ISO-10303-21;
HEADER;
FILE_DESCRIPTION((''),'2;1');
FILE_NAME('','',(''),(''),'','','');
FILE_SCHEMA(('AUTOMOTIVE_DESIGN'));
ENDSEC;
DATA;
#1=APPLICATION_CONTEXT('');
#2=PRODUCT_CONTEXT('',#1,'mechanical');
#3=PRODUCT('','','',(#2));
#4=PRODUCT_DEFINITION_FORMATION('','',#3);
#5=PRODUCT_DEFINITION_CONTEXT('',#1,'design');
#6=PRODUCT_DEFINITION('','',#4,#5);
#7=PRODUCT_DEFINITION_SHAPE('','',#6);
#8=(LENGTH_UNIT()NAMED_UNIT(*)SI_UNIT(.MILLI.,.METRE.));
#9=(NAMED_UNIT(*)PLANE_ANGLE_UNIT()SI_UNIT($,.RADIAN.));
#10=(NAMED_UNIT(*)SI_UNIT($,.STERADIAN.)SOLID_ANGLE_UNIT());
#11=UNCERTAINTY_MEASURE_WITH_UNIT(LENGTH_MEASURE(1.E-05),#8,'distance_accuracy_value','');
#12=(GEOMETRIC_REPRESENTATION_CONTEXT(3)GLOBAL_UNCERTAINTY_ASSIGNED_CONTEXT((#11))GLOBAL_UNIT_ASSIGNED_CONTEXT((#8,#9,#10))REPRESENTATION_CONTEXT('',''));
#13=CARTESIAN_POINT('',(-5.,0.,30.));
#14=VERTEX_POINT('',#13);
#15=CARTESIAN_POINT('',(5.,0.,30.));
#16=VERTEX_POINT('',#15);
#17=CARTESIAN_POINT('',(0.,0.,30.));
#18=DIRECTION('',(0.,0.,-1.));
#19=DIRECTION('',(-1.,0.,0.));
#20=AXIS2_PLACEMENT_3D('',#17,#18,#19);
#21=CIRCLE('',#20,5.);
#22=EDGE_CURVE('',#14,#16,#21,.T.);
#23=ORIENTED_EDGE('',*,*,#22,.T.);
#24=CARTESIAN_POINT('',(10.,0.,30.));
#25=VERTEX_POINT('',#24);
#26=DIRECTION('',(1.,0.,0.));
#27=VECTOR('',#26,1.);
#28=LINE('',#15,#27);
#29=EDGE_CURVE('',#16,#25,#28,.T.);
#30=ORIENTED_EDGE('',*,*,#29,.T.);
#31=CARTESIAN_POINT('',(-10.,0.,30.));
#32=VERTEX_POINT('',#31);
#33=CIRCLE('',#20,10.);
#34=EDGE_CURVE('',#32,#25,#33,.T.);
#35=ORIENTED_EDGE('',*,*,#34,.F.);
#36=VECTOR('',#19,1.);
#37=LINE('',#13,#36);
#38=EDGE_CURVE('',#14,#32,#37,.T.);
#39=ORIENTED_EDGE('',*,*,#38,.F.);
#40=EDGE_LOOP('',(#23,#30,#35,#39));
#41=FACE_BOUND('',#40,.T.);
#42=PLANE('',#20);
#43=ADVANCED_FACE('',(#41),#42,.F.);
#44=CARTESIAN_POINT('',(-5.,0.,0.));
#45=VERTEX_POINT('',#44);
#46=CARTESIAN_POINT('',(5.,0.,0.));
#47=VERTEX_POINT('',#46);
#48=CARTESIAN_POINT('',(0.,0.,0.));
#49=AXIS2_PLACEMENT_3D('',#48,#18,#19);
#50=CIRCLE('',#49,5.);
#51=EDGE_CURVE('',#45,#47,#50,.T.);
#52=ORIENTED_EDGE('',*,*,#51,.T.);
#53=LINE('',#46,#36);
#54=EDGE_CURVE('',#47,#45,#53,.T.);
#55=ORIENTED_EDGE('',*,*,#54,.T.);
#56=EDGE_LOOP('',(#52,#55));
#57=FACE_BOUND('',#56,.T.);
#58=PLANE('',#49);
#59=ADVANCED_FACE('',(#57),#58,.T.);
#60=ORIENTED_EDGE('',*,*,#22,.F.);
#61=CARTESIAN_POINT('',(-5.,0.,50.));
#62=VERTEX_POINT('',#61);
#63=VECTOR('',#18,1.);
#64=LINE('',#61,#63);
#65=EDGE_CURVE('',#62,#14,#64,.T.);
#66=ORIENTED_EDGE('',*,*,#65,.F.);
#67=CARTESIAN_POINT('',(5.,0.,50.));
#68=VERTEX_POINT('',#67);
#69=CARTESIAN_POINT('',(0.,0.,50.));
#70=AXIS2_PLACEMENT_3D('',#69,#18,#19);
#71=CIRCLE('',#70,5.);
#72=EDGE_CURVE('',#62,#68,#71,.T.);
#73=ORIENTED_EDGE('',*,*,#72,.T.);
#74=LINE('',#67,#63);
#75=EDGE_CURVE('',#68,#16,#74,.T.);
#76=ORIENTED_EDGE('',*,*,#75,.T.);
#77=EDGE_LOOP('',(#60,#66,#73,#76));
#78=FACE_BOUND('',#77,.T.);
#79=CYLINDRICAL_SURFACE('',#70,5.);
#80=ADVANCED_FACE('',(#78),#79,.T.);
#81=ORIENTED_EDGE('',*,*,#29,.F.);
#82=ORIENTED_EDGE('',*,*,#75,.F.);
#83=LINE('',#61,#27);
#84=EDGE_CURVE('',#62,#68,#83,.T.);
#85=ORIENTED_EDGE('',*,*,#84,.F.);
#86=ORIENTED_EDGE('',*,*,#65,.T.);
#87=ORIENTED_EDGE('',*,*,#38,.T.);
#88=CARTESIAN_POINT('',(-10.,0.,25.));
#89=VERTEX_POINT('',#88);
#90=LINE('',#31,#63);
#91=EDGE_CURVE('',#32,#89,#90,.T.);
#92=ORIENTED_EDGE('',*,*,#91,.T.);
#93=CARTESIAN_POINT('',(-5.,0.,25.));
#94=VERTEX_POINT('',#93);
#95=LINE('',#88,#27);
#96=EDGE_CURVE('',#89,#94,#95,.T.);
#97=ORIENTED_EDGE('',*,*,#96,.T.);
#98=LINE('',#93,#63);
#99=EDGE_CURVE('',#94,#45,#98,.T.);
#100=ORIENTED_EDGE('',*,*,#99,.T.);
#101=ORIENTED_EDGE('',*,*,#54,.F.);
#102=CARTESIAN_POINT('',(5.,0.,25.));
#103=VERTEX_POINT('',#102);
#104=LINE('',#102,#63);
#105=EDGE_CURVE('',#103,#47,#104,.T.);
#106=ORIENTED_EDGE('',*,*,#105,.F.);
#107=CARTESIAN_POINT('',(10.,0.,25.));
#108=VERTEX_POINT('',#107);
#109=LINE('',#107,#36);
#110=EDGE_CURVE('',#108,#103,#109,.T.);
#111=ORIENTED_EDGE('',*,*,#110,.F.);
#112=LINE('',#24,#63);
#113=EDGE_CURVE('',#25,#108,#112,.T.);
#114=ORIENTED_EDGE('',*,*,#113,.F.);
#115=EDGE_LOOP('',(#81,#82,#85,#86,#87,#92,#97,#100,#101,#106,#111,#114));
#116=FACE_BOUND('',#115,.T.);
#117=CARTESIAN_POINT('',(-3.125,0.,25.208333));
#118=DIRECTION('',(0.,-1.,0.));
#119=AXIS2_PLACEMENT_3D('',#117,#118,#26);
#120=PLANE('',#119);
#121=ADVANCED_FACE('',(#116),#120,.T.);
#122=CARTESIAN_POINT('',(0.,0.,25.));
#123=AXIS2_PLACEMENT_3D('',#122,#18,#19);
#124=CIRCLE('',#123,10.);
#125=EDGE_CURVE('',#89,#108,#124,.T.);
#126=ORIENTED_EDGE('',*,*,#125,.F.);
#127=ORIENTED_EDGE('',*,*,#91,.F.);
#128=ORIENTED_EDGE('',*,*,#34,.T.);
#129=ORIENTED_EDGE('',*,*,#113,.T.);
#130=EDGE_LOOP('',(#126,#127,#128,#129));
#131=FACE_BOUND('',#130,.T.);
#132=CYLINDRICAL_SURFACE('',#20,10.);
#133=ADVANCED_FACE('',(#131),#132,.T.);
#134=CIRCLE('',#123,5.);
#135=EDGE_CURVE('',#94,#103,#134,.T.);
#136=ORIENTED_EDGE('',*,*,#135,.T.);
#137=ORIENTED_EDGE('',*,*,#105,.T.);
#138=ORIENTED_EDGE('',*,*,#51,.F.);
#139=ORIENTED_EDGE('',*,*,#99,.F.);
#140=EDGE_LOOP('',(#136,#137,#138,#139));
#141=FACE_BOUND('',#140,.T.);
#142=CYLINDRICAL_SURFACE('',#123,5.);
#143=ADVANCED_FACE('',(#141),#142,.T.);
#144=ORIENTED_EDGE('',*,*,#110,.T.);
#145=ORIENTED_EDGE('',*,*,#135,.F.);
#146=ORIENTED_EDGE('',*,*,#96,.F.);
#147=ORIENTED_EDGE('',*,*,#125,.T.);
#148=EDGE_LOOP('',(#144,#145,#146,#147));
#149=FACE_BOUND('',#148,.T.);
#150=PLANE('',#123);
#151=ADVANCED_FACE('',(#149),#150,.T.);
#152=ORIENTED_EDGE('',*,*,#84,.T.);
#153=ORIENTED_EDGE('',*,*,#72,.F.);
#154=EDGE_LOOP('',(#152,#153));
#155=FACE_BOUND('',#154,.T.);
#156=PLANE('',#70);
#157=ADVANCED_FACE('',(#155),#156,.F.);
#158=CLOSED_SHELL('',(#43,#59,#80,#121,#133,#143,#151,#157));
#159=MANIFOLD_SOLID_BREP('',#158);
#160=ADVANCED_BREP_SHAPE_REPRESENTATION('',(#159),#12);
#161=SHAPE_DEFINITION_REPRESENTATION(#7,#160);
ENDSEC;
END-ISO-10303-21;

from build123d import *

# Parameters (mm, degrees)
F1_ANGLE = 180


with BuildPart() as f1:
    # F0 (on Front) → F1 (revolve)
    with BuildSketch(Plane.XZ):
        Polygon((0, 50), (-5, 50), (-5, 30), (-10, 30), (-10, 25), (-5, 25), (-5, 0), (0, 0), align=None)
    revolve(axis=Axis((0, 0, 25), (0, 0, -1)), revolution_arc=F1_ANGLE)


solid = f1.part
